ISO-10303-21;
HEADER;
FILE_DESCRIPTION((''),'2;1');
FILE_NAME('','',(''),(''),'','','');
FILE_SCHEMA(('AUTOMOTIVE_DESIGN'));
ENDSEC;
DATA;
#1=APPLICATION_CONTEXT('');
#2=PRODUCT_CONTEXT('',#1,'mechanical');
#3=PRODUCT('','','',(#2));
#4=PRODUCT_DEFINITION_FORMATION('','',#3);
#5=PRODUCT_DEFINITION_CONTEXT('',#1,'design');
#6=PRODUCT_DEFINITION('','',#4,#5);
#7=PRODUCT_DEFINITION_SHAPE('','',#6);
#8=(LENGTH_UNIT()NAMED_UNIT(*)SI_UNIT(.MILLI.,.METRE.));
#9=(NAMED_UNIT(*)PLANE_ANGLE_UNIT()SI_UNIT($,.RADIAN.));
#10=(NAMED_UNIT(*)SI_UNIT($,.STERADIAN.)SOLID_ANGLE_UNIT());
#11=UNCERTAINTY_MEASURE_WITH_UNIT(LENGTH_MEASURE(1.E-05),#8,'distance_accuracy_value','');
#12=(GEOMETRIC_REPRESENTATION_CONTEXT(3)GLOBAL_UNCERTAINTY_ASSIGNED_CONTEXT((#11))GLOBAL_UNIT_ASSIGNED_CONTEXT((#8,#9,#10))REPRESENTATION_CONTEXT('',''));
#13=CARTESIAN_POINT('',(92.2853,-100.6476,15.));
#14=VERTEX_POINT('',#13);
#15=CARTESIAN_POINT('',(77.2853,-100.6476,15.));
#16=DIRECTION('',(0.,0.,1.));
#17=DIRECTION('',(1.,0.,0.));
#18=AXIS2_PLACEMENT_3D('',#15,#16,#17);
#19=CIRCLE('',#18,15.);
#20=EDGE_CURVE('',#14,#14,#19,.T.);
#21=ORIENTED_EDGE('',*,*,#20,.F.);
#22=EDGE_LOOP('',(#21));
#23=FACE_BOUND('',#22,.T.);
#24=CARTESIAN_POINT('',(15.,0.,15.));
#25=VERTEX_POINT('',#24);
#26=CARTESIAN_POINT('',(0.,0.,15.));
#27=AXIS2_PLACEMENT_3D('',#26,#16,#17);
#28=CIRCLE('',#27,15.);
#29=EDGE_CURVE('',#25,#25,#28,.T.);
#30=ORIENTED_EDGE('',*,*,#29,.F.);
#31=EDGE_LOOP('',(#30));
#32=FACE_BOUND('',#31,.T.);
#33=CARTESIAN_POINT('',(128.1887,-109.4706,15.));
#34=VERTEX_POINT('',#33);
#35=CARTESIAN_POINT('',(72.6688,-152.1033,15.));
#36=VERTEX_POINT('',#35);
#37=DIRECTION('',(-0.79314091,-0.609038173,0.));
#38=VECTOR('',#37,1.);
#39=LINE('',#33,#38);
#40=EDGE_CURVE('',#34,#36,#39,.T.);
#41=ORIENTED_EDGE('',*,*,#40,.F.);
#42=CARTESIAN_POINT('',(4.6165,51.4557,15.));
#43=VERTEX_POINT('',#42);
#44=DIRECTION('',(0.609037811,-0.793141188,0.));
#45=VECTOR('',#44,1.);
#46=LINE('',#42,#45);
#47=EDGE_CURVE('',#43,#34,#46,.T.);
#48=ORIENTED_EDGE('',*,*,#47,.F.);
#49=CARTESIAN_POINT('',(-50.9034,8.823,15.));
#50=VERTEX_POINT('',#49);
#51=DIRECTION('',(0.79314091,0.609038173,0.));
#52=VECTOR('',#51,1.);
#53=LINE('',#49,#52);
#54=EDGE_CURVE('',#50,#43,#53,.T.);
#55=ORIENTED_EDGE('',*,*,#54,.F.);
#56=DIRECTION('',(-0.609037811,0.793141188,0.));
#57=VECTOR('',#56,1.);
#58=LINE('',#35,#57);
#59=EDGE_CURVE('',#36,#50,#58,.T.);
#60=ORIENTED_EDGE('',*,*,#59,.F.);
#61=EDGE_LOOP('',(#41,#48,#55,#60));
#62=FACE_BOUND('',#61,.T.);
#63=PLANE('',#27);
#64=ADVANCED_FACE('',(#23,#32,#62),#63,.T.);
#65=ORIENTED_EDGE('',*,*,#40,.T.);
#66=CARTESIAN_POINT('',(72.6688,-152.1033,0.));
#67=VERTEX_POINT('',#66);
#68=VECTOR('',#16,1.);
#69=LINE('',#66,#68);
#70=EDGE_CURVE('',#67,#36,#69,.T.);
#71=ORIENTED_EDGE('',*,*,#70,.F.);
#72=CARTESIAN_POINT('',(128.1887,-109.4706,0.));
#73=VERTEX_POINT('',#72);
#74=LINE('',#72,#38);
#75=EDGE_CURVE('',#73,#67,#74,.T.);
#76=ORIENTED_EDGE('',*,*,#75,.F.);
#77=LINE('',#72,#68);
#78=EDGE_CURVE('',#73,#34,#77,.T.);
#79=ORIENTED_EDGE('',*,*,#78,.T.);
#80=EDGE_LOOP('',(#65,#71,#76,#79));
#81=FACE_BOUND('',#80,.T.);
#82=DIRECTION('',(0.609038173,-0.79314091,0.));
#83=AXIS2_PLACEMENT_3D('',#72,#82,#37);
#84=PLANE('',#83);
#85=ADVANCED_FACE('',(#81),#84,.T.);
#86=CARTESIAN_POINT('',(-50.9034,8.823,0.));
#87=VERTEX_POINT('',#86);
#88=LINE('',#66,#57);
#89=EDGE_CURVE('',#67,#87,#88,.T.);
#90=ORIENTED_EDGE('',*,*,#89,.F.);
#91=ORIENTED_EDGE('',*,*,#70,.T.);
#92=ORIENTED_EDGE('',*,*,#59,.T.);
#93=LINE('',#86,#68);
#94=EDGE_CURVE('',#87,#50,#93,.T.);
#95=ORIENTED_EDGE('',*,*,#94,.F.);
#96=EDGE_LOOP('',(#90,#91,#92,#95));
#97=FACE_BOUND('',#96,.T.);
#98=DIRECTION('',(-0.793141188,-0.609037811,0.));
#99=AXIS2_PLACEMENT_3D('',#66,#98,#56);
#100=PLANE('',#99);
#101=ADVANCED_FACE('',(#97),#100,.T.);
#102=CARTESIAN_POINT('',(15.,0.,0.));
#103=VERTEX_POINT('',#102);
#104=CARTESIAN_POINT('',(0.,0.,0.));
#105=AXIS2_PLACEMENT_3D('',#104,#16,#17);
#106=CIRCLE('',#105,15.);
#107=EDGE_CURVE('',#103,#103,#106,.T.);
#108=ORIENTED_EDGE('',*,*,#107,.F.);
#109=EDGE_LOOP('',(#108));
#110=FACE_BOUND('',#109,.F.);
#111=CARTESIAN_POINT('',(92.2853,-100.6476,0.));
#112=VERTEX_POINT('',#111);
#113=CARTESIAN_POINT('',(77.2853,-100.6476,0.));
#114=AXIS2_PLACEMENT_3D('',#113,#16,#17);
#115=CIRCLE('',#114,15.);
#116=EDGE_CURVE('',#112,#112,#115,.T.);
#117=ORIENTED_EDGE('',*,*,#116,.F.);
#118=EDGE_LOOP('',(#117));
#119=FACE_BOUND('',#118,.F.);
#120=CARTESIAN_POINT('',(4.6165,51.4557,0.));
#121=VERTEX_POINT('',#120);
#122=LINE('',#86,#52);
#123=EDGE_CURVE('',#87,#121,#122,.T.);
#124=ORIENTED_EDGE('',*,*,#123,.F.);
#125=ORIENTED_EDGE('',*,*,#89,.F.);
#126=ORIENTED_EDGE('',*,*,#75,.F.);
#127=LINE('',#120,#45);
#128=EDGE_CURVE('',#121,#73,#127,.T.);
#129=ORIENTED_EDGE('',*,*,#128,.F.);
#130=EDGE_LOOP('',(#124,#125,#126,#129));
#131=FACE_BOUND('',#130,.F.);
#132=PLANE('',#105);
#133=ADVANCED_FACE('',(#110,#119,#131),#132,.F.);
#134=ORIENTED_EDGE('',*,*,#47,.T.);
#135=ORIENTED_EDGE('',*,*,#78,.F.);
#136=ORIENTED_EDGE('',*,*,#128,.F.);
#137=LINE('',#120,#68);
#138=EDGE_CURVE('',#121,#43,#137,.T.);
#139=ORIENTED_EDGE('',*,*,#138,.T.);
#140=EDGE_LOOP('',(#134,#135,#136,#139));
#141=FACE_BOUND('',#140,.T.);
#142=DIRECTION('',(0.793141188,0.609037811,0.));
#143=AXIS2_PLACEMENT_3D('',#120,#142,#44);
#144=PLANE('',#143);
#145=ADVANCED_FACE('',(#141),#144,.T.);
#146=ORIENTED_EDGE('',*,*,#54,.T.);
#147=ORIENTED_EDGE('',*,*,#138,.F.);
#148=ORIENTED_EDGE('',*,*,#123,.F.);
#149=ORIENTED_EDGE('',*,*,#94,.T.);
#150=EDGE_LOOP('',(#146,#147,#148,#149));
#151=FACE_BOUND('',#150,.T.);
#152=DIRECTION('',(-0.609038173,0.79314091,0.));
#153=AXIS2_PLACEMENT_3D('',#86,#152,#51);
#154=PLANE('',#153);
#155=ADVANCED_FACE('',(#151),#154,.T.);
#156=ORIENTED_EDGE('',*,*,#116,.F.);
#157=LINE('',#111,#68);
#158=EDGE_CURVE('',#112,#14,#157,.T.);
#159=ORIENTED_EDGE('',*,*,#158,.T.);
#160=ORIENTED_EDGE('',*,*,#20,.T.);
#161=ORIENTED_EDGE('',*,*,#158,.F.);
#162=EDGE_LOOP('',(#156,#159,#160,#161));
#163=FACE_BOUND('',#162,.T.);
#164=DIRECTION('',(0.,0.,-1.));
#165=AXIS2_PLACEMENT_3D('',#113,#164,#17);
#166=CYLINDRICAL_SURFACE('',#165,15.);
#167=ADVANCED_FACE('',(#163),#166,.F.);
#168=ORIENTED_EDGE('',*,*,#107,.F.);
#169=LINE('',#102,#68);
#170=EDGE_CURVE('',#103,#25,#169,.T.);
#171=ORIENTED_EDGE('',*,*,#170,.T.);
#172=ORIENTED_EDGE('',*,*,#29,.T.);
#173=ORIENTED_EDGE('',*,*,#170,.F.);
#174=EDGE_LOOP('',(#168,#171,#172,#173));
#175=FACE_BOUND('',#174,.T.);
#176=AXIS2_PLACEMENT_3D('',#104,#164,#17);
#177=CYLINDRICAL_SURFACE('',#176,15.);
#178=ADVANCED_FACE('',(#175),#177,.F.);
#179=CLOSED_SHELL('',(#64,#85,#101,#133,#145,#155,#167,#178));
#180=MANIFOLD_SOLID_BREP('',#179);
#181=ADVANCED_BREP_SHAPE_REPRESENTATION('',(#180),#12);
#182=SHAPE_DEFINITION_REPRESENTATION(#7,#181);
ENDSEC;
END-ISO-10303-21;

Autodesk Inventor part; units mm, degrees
ref_plane "YZ Plane" through (0, 0, 0) normal (1, 0, 0) x (0, 1, 0)
ref_plane "XZ Plane" through (0, 0, 0) normal (0, 1, 0) x (-1, 0, 0)
ref_plane "XY Plane" through (0, 0, 0) normal (0, 0, 1) x (1, 0, 0)
sketch "Sketch1" plane through (0, 0, 0) normal (0, 0, 1) x (1, 0, 0)
  circle A0 centre (0, 0) radius 15 projected
  circle A1 centre (77.2853, -100.6476) radius 15 projected
  line L0 (0, 0) -> (77.2853, -100.6476) construction
  line L1 (4.6165, 51.4557) -> (140.1218, -125.0109) construction
  line L2 (-50.9034, 8.823) -> (49.7593, -122.2685) construction
  line L3 (11.1166, -71.9447) -> (66.6365, -29.312) construction
  line L4 (-50.9034, 8.823) -> (4.6165, 51.4557) construction
  line L5 (82.3144, -169.4001) -> (140.1218, -125.0109) construction
  line L6 (-50.9034, 8.823) -> (4.6165, 51.4557)
  line L7 (4.6165, 51.4557) -> (128.1887, -109.4706)
  line L8 (128.1887, -109.4706) -> (72.6688, -152.1033)
  line L9 (72.6688, -152.1033) -> (-50.9034, 8.823)
  point P0 (0, 0)
  dimension "d0" = 38
  dimension "d1" = 38
  dimension "d2" = 35
  dimension "d3" = 35
extrude "Extrusion1" add sketch "Sketch1" along normal blind 15
properties part number "gantry_y_holder"
